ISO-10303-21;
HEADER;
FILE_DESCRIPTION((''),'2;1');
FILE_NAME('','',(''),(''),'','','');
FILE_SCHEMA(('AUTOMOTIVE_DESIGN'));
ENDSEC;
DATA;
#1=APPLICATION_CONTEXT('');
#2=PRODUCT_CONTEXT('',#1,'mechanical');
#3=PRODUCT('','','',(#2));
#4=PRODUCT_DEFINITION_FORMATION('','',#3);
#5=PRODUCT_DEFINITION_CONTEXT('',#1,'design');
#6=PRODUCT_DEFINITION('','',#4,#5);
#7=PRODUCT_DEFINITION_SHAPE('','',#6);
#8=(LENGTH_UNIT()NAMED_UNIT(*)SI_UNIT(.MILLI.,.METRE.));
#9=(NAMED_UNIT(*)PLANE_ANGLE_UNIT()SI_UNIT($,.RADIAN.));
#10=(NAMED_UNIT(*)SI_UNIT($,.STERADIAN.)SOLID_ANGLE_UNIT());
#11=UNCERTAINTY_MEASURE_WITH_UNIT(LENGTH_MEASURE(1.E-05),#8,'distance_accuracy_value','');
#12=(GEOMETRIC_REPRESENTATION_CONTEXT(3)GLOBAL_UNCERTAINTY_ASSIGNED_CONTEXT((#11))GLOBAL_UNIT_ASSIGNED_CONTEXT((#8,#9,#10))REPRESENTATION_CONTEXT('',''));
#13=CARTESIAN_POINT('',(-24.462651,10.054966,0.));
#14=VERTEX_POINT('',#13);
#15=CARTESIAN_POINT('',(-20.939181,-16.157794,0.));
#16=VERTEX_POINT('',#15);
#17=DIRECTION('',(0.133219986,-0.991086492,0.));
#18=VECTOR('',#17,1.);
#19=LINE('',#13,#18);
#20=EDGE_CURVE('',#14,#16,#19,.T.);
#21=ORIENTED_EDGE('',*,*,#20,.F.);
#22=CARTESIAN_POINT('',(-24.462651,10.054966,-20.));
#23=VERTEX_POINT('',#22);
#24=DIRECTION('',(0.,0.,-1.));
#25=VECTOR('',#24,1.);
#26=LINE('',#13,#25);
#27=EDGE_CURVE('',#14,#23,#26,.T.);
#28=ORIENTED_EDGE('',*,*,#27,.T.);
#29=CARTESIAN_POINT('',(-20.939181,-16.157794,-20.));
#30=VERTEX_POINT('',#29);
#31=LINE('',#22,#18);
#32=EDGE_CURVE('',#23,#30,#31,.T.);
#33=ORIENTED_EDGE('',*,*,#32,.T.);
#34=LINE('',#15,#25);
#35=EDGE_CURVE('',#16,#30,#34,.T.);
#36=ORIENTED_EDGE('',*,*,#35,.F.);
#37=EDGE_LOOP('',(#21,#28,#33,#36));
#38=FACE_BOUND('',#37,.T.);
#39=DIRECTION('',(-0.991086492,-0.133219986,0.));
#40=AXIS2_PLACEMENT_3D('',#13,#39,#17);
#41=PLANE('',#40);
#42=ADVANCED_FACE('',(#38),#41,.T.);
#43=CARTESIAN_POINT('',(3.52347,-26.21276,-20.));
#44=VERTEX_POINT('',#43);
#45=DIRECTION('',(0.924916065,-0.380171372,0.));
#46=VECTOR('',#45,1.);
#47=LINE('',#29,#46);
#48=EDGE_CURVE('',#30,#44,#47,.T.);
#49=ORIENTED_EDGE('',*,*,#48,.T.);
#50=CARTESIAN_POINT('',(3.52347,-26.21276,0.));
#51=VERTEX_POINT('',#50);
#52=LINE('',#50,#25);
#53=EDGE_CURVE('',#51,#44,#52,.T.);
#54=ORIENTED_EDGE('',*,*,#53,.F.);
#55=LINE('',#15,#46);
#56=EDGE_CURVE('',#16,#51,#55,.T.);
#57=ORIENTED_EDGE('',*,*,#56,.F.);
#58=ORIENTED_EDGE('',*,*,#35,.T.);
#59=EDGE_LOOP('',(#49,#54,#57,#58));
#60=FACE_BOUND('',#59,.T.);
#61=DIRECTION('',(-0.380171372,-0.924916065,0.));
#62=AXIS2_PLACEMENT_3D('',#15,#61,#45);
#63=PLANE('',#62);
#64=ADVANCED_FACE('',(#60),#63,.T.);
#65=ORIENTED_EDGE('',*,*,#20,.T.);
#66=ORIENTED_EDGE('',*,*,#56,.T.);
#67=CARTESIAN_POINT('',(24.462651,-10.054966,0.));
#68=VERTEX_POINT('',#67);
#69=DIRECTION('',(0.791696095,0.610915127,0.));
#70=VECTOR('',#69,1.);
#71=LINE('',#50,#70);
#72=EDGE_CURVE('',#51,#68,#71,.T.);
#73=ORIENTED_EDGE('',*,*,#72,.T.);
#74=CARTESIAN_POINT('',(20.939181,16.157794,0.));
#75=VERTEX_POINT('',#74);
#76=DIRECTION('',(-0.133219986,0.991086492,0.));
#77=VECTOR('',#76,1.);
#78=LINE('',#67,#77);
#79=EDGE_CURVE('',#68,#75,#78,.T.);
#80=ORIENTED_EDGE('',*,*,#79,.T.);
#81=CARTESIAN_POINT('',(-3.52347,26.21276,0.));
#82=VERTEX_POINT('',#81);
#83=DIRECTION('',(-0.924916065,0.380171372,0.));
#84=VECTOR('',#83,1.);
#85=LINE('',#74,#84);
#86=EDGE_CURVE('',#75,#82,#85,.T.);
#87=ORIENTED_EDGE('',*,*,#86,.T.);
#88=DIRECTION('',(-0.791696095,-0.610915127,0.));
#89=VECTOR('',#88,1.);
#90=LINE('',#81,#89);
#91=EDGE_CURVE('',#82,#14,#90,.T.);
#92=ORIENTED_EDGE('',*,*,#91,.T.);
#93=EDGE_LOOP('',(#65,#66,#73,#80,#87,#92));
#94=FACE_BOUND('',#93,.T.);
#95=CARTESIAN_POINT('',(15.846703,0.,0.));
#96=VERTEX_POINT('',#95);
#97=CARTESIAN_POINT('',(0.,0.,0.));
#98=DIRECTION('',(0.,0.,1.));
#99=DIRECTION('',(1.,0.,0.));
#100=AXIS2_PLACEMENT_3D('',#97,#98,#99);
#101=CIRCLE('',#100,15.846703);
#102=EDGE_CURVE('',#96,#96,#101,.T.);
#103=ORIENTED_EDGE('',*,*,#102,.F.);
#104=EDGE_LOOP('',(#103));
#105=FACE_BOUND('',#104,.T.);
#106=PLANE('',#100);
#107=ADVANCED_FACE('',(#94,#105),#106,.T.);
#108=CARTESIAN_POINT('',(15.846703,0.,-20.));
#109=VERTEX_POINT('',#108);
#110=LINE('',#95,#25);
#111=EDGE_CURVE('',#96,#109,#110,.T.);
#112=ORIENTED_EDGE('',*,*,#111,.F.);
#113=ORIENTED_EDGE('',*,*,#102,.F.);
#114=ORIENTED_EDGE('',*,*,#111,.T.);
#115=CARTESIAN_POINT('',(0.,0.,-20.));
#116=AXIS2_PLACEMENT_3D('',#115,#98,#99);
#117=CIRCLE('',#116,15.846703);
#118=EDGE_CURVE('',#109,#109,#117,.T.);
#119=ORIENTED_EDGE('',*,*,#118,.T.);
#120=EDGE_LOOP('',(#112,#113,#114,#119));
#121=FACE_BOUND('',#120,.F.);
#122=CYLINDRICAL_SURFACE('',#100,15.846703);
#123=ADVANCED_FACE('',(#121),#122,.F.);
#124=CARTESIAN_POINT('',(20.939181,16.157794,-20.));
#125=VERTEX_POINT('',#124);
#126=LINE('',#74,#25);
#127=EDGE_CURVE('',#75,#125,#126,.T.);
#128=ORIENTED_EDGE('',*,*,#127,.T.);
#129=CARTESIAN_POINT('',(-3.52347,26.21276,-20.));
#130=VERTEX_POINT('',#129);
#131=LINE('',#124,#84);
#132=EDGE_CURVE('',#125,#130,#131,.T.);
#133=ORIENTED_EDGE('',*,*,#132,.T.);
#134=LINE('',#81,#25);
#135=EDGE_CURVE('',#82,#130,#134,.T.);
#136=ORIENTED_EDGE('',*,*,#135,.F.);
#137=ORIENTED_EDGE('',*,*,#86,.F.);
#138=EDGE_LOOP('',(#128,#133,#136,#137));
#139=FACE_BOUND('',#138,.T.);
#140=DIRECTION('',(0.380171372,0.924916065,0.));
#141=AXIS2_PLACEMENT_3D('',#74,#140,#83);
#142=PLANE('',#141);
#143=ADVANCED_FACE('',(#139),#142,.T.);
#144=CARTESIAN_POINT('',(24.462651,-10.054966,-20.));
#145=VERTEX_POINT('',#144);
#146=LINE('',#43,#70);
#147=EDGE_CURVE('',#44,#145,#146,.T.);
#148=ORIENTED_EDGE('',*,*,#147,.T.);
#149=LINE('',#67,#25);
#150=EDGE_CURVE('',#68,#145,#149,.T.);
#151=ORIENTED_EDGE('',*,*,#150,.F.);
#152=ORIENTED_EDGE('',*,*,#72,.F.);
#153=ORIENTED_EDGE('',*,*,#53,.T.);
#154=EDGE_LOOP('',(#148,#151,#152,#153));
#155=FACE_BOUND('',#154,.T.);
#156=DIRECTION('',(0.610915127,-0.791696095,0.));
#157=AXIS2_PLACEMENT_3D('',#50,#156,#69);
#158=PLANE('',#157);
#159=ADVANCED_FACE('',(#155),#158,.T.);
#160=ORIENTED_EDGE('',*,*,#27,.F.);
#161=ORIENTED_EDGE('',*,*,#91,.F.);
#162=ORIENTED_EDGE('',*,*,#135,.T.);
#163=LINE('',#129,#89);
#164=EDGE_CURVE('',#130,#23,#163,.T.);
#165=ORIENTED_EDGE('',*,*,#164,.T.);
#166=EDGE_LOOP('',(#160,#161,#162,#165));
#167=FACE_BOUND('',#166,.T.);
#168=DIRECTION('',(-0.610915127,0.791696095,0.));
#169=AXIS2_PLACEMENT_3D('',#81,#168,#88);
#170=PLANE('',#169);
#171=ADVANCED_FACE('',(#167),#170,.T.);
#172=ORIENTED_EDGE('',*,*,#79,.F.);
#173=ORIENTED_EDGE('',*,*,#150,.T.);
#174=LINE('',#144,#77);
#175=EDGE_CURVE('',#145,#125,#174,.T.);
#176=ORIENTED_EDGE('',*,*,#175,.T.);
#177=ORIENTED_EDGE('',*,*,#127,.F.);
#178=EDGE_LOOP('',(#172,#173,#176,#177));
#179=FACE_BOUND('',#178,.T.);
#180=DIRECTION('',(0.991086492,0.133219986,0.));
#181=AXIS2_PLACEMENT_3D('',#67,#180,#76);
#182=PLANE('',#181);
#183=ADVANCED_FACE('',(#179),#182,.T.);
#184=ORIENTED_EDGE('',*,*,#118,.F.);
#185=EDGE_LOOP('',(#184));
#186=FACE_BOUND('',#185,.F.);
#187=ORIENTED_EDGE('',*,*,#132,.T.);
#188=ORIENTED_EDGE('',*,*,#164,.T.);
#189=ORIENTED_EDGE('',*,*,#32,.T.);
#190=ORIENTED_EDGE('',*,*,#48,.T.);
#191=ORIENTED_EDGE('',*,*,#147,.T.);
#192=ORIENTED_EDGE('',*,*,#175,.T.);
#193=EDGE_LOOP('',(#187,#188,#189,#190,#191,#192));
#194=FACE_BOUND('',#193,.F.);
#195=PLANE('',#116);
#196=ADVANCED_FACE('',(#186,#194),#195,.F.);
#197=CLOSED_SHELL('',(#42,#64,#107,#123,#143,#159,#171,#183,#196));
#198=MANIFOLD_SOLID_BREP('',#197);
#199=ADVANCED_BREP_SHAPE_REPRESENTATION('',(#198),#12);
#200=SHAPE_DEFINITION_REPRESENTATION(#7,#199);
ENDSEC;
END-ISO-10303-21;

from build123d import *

# Parameters (mm, degrees)
F1_DEPTH = 20
F2_R     = 15.846703
F3_DEPTH = 25


with BuildPart() as f1:
    # F0 (on Top) → F1 (new body)
    with BuildSketch(Plane.XY):
        Polygon((20.939181, 16.157794), (-3.52347, 26.21276), (-24.462651, 10.054966), (-20.939181, -16.157794), (3.52347, -26.21276), (24.462651, -10.054966), align=None)
    extrude(amount=-F1_DEPTH)

    # F2 (on face) → F3 (cut)
    with BuildSketch(Plane.XY):
        Circle(F2_R)
    extrude(amount=-F3_DEPTH, mode=Mode.SUBTRACT)


solid = f1.part
